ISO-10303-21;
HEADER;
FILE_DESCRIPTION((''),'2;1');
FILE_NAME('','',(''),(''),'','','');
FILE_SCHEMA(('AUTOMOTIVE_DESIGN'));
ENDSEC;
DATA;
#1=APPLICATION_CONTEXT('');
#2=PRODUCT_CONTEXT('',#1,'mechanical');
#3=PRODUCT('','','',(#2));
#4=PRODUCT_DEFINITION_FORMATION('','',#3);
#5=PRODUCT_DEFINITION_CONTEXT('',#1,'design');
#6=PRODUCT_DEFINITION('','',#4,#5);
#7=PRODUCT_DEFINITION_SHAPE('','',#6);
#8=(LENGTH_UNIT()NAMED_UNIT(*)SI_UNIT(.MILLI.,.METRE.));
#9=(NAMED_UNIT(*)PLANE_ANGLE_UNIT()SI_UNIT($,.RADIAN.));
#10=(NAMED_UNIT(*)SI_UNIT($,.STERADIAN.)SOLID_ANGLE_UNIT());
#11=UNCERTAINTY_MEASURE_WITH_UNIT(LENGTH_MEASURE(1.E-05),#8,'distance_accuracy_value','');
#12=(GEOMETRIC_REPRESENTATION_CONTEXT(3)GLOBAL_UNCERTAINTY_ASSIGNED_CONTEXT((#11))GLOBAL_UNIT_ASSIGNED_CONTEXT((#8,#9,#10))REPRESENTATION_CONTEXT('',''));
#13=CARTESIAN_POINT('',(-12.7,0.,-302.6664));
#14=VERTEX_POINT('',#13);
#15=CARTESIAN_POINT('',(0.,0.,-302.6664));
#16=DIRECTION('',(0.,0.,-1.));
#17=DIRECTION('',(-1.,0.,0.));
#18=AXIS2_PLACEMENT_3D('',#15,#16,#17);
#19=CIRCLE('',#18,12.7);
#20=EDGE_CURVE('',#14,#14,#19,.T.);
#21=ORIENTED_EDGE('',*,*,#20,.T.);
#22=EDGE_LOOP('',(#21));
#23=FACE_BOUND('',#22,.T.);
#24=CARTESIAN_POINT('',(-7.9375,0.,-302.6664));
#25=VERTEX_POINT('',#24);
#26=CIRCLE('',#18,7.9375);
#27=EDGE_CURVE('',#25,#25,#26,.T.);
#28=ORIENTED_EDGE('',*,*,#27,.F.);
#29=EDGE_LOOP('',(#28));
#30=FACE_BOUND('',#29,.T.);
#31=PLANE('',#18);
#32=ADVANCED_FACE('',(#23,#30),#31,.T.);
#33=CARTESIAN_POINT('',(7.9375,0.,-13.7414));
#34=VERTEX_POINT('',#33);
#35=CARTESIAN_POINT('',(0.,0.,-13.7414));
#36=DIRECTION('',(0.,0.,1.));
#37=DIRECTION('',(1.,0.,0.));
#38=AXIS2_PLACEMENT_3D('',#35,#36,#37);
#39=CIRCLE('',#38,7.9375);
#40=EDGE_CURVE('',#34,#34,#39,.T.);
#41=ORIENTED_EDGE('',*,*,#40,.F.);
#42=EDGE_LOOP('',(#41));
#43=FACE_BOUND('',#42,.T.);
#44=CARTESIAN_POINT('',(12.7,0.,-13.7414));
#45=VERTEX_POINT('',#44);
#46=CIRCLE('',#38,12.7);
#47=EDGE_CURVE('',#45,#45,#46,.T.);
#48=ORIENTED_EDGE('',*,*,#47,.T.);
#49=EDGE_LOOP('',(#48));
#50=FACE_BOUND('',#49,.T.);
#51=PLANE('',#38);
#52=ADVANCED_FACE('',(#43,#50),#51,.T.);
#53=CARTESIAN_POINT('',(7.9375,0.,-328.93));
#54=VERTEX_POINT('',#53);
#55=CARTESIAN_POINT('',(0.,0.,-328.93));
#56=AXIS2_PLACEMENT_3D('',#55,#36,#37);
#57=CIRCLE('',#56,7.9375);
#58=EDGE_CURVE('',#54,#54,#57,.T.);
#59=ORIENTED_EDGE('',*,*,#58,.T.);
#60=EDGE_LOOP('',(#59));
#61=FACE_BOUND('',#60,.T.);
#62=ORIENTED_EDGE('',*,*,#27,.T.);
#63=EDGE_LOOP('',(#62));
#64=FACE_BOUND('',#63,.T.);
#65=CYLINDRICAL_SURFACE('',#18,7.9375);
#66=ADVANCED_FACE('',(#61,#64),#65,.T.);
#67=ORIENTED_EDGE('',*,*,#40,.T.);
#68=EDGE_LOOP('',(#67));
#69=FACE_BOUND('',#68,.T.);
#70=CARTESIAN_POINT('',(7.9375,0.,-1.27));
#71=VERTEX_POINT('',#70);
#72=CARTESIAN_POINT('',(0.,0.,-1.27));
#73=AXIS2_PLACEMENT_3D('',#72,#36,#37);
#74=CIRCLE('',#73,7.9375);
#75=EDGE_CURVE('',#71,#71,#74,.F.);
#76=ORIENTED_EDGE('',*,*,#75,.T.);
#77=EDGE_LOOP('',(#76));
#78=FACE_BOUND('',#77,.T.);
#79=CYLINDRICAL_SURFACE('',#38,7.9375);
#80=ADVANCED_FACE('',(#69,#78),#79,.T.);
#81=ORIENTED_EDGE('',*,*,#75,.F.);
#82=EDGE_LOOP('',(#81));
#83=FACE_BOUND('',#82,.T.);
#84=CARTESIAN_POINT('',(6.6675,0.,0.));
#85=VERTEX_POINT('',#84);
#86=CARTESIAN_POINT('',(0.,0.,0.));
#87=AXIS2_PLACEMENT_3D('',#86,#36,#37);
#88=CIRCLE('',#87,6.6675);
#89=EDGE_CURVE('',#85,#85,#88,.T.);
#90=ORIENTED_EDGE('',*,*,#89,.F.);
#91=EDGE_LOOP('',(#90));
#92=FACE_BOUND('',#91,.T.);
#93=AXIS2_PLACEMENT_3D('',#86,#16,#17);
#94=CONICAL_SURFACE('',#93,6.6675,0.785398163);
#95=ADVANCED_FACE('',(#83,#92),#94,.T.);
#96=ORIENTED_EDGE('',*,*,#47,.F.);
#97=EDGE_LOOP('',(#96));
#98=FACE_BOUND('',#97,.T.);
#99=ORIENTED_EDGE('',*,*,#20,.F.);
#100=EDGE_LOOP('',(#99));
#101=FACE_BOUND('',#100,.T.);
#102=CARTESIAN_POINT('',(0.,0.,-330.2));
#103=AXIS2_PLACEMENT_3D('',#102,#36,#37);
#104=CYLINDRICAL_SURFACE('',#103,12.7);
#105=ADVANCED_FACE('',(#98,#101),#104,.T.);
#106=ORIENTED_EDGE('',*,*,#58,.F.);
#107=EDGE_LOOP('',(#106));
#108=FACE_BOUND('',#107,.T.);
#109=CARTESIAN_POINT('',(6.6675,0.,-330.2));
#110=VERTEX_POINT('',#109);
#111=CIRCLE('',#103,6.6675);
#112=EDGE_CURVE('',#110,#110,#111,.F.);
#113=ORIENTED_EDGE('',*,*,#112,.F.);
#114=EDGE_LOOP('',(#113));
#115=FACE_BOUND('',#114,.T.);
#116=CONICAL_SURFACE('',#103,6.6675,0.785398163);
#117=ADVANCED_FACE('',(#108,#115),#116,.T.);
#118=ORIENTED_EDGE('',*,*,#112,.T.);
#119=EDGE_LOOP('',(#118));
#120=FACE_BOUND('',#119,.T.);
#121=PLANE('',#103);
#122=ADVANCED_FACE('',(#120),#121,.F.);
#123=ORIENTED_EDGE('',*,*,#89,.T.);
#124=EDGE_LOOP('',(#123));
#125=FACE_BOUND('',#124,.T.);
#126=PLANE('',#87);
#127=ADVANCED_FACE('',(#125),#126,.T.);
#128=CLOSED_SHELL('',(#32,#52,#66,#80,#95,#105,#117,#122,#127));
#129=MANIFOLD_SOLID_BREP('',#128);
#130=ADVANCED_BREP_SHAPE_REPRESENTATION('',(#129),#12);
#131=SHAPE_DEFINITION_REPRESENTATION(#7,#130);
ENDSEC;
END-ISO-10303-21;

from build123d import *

# Parameters (mm, degrees)
SKETCH1_R           = 12.7
BOSS_EXTRUDE1_DEPTH = 330.2
CUT_EXTRUDE2_START  = -27.5336
SKETCH3_R           = 12.7
SKETCH3_R_2         = 7.9375
CUT_EXTRUDE2_DEPTH  = 27.5336
SKETCH2_R           = 12.7
SKETCH2_R_2         = 7.9375
CUT_EXTRUDE1_DEPTH  = 13.7414
CHAMFER1_SIZE       = 1.27


with BuildPart() as part:
    # Sketch1 → Boss-Extrude1 (new body)
    with BuildSketch(Plane.XY):
        Circle(SKETCH1_R)
    extrude(amount=-BOSS_EXTRUDE1_DEPTH)

    # Sketch3 → Cut-Extrude2 (cut)
    with BuildSketch(Plane(origin=(0, 0, -330.2), x_dir=(-1, 0, 0), z_dir=(0, 0, -1)).offset(CUT_EXTRUDE2_START)):
        Circle(SKETCH3_R)
        Circle(SKETCH3_R_2, mode=Mode.SUBTRACT)
    extrude(amount=CUT_EXTRUDE2_DEPTH, mode=Mode.SUBTRACT)

    # Sketch2 → Cut-Extrude1 (cut)
    with BuildSketch(Plane.XY):
        Circle(SKETCH2_R)
        Circle(SKETCH2_R_2, mode=Mode.SUBTRACT)
    extrude(amount=-CUT_EXTRUDE1_DEPTH, mode=Mode.SUBTRACT)

    # Chamfer1
    chamfer1_edges = [part.edges().sort_by_distance(p)[0] for p in [
        (-7.9375, 0, 0),
        (7.9375, 0, -330.2),
    ]]
    chamfer(chamfer1_edges, length=CHAMFER1_SIZE)


solid = part.part
